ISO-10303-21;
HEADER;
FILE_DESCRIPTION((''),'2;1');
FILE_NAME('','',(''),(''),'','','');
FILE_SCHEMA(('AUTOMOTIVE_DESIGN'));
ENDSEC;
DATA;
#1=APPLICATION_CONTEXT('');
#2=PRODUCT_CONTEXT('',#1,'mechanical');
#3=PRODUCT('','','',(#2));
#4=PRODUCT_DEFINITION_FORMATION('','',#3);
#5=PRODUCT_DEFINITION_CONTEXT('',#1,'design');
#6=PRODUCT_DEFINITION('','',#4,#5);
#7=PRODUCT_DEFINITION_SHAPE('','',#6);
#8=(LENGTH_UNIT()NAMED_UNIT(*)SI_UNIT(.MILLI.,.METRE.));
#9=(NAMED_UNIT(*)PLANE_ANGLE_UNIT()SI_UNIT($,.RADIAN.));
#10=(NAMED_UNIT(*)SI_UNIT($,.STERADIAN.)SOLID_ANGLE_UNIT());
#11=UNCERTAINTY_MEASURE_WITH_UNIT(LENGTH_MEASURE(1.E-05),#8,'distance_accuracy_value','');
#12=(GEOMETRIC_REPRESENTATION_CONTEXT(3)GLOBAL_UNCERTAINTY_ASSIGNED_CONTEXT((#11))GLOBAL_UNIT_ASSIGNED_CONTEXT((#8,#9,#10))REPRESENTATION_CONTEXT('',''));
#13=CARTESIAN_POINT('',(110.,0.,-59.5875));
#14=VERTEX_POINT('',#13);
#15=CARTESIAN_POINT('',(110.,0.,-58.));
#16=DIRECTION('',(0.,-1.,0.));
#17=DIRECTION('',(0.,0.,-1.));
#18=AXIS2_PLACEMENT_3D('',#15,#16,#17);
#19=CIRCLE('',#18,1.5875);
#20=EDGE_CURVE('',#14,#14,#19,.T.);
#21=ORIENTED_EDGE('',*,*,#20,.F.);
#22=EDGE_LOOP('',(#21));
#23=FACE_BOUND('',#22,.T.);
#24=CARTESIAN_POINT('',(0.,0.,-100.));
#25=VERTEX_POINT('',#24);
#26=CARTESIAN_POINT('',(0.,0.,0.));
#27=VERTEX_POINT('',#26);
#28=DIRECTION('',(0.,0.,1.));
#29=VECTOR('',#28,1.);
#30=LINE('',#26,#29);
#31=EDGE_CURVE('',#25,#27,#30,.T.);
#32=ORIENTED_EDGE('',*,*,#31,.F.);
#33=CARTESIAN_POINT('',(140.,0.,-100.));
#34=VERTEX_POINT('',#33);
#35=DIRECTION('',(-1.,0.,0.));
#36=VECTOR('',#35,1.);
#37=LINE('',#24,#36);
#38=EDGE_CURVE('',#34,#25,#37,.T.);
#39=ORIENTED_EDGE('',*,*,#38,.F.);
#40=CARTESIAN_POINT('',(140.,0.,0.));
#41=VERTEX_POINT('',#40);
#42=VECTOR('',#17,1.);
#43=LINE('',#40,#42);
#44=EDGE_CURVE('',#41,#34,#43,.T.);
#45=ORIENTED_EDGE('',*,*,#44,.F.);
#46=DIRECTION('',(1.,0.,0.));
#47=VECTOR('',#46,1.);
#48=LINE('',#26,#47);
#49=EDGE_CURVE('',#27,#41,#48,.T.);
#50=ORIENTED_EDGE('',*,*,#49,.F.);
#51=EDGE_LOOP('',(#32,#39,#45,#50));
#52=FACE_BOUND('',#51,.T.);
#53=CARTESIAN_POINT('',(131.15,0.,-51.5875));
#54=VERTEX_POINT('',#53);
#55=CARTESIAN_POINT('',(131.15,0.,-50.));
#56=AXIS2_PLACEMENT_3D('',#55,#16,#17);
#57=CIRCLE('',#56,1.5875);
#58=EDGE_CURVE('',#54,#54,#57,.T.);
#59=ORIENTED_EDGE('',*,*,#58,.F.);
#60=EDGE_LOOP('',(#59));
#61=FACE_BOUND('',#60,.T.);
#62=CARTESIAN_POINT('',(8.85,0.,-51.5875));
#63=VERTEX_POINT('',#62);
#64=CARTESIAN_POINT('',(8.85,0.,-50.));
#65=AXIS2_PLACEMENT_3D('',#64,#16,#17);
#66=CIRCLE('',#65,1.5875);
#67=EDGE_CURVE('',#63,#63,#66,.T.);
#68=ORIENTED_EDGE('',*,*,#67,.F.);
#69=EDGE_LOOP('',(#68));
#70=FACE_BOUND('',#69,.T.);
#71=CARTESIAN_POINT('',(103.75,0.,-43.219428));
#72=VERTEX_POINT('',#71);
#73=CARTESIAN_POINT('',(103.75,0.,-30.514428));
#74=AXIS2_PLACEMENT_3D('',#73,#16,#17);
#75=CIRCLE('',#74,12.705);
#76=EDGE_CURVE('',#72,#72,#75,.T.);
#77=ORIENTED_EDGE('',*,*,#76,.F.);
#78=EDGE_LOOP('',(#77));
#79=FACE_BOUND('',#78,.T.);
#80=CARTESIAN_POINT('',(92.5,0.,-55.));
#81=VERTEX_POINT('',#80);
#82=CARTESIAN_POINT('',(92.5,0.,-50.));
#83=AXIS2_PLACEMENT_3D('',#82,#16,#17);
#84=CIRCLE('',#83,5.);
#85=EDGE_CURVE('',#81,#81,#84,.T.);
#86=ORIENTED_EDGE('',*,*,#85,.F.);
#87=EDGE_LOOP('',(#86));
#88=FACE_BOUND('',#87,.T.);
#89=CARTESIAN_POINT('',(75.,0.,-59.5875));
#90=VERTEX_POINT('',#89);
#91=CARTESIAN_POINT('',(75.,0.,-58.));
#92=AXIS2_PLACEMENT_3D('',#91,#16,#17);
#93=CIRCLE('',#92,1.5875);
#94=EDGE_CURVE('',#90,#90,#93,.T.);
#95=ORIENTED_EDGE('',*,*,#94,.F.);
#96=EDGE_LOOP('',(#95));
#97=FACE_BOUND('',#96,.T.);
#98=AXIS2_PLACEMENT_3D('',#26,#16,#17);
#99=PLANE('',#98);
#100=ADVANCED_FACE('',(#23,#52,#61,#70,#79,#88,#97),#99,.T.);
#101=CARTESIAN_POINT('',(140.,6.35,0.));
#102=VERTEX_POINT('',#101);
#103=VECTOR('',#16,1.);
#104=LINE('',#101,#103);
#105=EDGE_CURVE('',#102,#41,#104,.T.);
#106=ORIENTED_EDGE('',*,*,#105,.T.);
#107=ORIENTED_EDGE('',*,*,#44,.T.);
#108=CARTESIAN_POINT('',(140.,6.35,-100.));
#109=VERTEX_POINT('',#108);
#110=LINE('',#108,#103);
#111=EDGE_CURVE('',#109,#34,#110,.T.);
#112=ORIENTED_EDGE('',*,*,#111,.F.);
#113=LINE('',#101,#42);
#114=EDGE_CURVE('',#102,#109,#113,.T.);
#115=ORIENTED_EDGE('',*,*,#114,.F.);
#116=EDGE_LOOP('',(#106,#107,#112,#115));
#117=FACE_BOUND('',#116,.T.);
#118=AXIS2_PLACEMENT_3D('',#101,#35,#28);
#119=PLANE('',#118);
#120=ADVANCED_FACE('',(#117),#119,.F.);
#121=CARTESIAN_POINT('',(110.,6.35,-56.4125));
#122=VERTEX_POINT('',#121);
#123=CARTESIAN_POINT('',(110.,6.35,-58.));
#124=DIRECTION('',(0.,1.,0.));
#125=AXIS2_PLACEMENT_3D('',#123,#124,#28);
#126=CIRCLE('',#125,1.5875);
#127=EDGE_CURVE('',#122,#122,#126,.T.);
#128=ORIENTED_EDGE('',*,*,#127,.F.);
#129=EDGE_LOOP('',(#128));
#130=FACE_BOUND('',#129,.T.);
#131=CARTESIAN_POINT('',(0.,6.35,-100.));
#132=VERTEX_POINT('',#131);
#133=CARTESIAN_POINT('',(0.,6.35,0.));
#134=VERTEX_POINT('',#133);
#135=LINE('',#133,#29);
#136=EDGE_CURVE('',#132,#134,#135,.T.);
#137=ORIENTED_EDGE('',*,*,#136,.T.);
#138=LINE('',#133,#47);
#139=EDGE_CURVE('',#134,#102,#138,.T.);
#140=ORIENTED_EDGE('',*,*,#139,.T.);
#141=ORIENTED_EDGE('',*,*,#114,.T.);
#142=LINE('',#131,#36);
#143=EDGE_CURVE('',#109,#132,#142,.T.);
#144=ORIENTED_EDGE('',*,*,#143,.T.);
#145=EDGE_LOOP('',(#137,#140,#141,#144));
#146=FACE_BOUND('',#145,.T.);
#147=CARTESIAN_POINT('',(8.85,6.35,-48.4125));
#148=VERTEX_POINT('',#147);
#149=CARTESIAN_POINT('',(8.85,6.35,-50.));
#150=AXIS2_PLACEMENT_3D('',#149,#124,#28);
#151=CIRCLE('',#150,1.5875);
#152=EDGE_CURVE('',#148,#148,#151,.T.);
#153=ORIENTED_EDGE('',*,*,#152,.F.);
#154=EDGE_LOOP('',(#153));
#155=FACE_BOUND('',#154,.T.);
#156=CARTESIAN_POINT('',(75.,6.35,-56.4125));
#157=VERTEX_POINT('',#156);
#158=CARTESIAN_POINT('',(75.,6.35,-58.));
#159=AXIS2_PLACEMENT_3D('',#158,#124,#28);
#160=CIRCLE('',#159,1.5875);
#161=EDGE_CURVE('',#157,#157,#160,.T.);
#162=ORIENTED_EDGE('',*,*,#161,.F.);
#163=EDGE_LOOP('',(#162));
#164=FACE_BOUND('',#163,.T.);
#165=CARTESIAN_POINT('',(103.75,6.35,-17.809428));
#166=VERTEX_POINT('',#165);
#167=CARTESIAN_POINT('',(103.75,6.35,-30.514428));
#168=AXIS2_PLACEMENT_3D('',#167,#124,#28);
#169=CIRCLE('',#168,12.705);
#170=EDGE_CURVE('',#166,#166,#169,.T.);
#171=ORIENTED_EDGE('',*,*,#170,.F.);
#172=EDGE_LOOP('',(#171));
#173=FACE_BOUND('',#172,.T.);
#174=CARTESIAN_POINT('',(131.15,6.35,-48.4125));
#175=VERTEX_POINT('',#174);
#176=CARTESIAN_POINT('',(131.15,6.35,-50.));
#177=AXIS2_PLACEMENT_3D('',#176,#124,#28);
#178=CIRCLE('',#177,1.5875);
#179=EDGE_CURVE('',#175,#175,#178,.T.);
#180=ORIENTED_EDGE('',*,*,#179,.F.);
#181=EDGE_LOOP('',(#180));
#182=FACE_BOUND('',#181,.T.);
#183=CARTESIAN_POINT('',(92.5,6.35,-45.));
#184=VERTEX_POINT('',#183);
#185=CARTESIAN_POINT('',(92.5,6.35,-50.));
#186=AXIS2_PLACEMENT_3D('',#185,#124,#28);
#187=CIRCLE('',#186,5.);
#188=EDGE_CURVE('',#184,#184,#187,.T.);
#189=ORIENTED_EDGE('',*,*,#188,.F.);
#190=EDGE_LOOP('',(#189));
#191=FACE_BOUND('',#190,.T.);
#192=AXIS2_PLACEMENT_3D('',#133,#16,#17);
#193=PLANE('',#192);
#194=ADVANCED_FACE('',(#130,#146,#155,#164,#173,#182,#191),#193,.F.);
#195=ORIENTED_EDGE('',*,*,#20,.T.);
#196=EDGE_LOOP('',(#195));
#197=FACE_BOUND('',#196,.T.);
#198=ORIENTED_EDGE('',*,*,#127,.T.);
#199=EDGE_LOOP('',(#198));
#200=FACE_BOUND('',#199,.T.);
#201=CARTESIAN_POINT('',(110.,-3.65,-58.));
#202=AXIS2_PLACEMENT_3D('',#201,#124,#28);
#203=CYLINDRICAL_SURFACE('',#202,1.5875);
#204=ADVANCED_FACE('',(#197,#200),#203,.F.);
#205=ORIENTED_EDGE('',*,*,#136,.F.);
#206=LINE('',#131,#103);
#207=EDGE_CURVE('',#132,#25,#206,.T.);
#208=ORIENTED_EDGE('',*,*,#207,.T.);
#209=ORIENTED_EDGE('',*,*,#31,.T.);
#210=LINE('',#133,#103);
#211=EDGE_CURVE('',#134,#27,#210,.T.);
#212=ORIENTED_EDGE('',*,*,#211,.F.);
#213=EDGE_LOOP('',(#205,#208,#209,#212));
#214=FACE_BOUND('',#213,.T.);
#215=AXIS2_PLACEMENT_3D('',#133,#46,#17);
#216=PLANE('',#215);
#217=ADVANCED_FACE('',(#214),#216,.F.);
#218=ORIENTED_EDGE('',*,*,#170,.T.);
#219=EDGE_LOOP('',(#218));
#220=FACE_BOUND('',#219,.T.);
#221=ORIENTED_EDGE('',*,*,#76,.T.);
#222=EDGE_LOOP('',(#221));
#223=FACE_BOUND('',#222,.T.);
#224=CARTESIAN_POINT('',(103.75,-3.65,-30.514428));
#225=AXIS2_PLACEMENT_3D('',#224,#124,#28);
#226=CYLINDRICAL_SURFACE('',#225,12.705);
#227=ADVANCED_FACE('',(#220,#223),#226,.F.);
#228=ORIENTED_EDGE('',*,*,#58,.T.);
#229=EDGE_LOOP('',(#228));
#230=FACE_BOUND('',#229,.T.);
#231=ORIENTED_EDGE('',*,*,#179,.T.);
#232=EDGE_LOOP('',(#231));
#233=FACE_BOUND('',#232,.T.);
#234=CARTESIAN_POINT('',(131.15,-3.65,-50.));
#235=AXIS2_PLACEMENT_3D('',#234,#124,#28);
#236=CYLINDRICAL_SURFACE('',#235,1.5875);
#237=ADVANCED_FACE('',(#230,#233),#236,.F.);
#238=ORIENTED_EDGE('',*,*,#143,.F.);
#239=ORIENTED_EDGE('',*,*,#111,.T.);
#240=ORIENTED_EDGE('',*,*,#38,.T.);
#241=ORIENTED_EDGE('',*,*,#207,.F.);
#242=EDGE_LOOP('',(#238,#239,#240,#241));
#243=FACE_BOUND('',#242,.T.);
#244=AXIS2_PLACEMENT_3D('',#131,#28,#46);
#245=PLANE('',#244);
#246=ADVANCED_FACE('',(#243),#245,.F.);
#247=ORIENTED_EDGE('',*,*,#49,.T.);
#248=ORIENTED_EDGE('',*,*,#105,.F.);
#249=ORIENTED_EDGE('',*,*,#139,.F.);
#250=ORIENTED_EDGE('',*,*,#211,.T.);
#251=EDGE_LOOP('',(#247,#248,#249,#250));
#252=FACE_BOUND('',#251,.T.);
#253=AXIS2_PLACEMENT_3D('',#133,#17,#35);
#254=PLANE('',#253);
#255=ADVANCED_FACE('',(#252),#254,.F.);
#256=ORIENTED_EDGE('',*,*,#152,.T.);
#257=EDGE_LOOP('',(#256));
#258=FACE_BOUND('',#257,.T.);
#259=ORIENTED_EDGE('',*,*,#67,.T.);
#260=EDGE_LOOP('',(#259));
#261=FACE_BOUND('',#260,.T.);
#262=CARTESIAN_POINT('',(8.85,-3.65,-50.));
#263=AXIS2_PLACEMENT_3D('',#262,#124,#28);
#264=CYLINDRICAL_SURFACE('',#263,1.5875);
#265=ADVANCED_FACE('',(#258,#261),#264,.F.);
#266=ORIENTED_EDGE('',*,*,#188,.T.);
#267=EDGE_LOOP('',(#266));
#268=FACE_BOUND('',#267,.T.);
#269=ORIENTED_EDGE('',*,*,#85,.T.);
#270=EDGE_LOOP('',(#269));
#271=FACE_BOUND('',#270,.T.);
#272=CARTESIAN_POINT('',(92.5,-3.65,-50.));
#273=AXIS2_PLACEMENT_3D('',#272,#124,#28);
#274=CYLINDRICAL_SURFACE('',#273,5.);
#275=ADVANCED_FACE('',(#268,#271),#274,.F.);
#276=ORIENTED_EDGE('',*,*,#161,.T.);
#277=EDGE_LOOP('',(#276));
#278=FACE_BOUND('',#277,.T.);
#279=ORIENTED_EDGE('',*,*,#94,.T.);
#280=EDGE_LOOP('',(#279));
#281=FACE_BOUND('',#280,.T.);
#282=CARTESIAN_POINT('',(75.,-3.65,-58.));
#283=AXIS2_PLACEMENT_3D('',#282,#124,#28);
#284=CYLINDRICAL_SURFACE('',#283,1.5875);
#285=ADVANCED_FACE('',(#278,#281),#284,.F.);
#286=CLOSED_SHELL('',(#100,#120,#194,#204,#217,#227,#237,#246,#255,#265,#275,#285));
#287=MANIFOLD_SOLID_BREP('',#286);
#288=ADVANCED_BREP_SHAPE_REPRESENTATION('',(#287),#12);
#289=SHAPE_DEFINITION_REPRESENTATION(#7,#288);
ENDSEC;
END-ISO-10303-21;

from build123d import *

# Parameters (mm, degrees)
SKETCH1_W           = 140
SKETCH1_H           = 100
BOSS_EXTRUDE1_DEPTH = 6.35
SKETCH2_R           = 12.705
SKETCH2_R_2         = 5
CUT_EXTRUDE1_DEPTH  = 10
SKETCH3_R           = 1.5875
CUT_EXTRUDE2_DEPTH  = 10


with BuildPart() as part:
    # Sketch1 → Boss-Extrude1 (new body)
    with BuildSketch(Plane(origin=(0, 0, 0), x_dir=(1, 0, 0), z_dir=(0, 1, 0))):
        with Locations((70, 50)):
            Rectangle(SKETCH1_W, SKETCH1_H)
    extrude(amount=BOSS_EXTRUDE1_DEPTH)

    # Sketch2 → Cut-Extrude1 (cut)
    with BuildSketch(Plane(origin=(0, 6.35, 0), x_dir=(1, 0, 0), z_dir=(0, 1, 0))):
        with Locations(Location((103.75, 30.514428415, 0), (0, 0, 270))):
            Circle(SKETCH2_R)
        with Locations(Location((92.5, 50, 0), (0, 0, 270))):
            Circle(SKETCH2_R_2)
    extrude(amount=-CUT_EXTRUDE1_DEPTH, mode=Mode.SUBTRACT)

    # Sketch3 → Cut-Extrude2 (cut)
    with BuildSketch(Plane(origin=(0, 6.35, 0), x_dir=(1, 0, 0), z_dir=(0, 1, 0))):
        with Locations(Location((8.85, 50, 0), (0, 0, 270))):
            Circle(SKETCH3_R)
        with Locations(Location((131.15, 50, 0), (0, 0, 270))):
            Circle(SKETCH3_R)
        with Locations(Location((75, 58, 0), (0, 0, 270))):
            Circle(SKETCH3_R)
        with Locations(Location((110, 58, 0), (0, 0, 270))):
            Circle(SKETCH3_R)
    extrude(amount=-CUT_EXTRUDE2_DEPTH, mode=Mode.SUBTRACT)


solid = part.part
